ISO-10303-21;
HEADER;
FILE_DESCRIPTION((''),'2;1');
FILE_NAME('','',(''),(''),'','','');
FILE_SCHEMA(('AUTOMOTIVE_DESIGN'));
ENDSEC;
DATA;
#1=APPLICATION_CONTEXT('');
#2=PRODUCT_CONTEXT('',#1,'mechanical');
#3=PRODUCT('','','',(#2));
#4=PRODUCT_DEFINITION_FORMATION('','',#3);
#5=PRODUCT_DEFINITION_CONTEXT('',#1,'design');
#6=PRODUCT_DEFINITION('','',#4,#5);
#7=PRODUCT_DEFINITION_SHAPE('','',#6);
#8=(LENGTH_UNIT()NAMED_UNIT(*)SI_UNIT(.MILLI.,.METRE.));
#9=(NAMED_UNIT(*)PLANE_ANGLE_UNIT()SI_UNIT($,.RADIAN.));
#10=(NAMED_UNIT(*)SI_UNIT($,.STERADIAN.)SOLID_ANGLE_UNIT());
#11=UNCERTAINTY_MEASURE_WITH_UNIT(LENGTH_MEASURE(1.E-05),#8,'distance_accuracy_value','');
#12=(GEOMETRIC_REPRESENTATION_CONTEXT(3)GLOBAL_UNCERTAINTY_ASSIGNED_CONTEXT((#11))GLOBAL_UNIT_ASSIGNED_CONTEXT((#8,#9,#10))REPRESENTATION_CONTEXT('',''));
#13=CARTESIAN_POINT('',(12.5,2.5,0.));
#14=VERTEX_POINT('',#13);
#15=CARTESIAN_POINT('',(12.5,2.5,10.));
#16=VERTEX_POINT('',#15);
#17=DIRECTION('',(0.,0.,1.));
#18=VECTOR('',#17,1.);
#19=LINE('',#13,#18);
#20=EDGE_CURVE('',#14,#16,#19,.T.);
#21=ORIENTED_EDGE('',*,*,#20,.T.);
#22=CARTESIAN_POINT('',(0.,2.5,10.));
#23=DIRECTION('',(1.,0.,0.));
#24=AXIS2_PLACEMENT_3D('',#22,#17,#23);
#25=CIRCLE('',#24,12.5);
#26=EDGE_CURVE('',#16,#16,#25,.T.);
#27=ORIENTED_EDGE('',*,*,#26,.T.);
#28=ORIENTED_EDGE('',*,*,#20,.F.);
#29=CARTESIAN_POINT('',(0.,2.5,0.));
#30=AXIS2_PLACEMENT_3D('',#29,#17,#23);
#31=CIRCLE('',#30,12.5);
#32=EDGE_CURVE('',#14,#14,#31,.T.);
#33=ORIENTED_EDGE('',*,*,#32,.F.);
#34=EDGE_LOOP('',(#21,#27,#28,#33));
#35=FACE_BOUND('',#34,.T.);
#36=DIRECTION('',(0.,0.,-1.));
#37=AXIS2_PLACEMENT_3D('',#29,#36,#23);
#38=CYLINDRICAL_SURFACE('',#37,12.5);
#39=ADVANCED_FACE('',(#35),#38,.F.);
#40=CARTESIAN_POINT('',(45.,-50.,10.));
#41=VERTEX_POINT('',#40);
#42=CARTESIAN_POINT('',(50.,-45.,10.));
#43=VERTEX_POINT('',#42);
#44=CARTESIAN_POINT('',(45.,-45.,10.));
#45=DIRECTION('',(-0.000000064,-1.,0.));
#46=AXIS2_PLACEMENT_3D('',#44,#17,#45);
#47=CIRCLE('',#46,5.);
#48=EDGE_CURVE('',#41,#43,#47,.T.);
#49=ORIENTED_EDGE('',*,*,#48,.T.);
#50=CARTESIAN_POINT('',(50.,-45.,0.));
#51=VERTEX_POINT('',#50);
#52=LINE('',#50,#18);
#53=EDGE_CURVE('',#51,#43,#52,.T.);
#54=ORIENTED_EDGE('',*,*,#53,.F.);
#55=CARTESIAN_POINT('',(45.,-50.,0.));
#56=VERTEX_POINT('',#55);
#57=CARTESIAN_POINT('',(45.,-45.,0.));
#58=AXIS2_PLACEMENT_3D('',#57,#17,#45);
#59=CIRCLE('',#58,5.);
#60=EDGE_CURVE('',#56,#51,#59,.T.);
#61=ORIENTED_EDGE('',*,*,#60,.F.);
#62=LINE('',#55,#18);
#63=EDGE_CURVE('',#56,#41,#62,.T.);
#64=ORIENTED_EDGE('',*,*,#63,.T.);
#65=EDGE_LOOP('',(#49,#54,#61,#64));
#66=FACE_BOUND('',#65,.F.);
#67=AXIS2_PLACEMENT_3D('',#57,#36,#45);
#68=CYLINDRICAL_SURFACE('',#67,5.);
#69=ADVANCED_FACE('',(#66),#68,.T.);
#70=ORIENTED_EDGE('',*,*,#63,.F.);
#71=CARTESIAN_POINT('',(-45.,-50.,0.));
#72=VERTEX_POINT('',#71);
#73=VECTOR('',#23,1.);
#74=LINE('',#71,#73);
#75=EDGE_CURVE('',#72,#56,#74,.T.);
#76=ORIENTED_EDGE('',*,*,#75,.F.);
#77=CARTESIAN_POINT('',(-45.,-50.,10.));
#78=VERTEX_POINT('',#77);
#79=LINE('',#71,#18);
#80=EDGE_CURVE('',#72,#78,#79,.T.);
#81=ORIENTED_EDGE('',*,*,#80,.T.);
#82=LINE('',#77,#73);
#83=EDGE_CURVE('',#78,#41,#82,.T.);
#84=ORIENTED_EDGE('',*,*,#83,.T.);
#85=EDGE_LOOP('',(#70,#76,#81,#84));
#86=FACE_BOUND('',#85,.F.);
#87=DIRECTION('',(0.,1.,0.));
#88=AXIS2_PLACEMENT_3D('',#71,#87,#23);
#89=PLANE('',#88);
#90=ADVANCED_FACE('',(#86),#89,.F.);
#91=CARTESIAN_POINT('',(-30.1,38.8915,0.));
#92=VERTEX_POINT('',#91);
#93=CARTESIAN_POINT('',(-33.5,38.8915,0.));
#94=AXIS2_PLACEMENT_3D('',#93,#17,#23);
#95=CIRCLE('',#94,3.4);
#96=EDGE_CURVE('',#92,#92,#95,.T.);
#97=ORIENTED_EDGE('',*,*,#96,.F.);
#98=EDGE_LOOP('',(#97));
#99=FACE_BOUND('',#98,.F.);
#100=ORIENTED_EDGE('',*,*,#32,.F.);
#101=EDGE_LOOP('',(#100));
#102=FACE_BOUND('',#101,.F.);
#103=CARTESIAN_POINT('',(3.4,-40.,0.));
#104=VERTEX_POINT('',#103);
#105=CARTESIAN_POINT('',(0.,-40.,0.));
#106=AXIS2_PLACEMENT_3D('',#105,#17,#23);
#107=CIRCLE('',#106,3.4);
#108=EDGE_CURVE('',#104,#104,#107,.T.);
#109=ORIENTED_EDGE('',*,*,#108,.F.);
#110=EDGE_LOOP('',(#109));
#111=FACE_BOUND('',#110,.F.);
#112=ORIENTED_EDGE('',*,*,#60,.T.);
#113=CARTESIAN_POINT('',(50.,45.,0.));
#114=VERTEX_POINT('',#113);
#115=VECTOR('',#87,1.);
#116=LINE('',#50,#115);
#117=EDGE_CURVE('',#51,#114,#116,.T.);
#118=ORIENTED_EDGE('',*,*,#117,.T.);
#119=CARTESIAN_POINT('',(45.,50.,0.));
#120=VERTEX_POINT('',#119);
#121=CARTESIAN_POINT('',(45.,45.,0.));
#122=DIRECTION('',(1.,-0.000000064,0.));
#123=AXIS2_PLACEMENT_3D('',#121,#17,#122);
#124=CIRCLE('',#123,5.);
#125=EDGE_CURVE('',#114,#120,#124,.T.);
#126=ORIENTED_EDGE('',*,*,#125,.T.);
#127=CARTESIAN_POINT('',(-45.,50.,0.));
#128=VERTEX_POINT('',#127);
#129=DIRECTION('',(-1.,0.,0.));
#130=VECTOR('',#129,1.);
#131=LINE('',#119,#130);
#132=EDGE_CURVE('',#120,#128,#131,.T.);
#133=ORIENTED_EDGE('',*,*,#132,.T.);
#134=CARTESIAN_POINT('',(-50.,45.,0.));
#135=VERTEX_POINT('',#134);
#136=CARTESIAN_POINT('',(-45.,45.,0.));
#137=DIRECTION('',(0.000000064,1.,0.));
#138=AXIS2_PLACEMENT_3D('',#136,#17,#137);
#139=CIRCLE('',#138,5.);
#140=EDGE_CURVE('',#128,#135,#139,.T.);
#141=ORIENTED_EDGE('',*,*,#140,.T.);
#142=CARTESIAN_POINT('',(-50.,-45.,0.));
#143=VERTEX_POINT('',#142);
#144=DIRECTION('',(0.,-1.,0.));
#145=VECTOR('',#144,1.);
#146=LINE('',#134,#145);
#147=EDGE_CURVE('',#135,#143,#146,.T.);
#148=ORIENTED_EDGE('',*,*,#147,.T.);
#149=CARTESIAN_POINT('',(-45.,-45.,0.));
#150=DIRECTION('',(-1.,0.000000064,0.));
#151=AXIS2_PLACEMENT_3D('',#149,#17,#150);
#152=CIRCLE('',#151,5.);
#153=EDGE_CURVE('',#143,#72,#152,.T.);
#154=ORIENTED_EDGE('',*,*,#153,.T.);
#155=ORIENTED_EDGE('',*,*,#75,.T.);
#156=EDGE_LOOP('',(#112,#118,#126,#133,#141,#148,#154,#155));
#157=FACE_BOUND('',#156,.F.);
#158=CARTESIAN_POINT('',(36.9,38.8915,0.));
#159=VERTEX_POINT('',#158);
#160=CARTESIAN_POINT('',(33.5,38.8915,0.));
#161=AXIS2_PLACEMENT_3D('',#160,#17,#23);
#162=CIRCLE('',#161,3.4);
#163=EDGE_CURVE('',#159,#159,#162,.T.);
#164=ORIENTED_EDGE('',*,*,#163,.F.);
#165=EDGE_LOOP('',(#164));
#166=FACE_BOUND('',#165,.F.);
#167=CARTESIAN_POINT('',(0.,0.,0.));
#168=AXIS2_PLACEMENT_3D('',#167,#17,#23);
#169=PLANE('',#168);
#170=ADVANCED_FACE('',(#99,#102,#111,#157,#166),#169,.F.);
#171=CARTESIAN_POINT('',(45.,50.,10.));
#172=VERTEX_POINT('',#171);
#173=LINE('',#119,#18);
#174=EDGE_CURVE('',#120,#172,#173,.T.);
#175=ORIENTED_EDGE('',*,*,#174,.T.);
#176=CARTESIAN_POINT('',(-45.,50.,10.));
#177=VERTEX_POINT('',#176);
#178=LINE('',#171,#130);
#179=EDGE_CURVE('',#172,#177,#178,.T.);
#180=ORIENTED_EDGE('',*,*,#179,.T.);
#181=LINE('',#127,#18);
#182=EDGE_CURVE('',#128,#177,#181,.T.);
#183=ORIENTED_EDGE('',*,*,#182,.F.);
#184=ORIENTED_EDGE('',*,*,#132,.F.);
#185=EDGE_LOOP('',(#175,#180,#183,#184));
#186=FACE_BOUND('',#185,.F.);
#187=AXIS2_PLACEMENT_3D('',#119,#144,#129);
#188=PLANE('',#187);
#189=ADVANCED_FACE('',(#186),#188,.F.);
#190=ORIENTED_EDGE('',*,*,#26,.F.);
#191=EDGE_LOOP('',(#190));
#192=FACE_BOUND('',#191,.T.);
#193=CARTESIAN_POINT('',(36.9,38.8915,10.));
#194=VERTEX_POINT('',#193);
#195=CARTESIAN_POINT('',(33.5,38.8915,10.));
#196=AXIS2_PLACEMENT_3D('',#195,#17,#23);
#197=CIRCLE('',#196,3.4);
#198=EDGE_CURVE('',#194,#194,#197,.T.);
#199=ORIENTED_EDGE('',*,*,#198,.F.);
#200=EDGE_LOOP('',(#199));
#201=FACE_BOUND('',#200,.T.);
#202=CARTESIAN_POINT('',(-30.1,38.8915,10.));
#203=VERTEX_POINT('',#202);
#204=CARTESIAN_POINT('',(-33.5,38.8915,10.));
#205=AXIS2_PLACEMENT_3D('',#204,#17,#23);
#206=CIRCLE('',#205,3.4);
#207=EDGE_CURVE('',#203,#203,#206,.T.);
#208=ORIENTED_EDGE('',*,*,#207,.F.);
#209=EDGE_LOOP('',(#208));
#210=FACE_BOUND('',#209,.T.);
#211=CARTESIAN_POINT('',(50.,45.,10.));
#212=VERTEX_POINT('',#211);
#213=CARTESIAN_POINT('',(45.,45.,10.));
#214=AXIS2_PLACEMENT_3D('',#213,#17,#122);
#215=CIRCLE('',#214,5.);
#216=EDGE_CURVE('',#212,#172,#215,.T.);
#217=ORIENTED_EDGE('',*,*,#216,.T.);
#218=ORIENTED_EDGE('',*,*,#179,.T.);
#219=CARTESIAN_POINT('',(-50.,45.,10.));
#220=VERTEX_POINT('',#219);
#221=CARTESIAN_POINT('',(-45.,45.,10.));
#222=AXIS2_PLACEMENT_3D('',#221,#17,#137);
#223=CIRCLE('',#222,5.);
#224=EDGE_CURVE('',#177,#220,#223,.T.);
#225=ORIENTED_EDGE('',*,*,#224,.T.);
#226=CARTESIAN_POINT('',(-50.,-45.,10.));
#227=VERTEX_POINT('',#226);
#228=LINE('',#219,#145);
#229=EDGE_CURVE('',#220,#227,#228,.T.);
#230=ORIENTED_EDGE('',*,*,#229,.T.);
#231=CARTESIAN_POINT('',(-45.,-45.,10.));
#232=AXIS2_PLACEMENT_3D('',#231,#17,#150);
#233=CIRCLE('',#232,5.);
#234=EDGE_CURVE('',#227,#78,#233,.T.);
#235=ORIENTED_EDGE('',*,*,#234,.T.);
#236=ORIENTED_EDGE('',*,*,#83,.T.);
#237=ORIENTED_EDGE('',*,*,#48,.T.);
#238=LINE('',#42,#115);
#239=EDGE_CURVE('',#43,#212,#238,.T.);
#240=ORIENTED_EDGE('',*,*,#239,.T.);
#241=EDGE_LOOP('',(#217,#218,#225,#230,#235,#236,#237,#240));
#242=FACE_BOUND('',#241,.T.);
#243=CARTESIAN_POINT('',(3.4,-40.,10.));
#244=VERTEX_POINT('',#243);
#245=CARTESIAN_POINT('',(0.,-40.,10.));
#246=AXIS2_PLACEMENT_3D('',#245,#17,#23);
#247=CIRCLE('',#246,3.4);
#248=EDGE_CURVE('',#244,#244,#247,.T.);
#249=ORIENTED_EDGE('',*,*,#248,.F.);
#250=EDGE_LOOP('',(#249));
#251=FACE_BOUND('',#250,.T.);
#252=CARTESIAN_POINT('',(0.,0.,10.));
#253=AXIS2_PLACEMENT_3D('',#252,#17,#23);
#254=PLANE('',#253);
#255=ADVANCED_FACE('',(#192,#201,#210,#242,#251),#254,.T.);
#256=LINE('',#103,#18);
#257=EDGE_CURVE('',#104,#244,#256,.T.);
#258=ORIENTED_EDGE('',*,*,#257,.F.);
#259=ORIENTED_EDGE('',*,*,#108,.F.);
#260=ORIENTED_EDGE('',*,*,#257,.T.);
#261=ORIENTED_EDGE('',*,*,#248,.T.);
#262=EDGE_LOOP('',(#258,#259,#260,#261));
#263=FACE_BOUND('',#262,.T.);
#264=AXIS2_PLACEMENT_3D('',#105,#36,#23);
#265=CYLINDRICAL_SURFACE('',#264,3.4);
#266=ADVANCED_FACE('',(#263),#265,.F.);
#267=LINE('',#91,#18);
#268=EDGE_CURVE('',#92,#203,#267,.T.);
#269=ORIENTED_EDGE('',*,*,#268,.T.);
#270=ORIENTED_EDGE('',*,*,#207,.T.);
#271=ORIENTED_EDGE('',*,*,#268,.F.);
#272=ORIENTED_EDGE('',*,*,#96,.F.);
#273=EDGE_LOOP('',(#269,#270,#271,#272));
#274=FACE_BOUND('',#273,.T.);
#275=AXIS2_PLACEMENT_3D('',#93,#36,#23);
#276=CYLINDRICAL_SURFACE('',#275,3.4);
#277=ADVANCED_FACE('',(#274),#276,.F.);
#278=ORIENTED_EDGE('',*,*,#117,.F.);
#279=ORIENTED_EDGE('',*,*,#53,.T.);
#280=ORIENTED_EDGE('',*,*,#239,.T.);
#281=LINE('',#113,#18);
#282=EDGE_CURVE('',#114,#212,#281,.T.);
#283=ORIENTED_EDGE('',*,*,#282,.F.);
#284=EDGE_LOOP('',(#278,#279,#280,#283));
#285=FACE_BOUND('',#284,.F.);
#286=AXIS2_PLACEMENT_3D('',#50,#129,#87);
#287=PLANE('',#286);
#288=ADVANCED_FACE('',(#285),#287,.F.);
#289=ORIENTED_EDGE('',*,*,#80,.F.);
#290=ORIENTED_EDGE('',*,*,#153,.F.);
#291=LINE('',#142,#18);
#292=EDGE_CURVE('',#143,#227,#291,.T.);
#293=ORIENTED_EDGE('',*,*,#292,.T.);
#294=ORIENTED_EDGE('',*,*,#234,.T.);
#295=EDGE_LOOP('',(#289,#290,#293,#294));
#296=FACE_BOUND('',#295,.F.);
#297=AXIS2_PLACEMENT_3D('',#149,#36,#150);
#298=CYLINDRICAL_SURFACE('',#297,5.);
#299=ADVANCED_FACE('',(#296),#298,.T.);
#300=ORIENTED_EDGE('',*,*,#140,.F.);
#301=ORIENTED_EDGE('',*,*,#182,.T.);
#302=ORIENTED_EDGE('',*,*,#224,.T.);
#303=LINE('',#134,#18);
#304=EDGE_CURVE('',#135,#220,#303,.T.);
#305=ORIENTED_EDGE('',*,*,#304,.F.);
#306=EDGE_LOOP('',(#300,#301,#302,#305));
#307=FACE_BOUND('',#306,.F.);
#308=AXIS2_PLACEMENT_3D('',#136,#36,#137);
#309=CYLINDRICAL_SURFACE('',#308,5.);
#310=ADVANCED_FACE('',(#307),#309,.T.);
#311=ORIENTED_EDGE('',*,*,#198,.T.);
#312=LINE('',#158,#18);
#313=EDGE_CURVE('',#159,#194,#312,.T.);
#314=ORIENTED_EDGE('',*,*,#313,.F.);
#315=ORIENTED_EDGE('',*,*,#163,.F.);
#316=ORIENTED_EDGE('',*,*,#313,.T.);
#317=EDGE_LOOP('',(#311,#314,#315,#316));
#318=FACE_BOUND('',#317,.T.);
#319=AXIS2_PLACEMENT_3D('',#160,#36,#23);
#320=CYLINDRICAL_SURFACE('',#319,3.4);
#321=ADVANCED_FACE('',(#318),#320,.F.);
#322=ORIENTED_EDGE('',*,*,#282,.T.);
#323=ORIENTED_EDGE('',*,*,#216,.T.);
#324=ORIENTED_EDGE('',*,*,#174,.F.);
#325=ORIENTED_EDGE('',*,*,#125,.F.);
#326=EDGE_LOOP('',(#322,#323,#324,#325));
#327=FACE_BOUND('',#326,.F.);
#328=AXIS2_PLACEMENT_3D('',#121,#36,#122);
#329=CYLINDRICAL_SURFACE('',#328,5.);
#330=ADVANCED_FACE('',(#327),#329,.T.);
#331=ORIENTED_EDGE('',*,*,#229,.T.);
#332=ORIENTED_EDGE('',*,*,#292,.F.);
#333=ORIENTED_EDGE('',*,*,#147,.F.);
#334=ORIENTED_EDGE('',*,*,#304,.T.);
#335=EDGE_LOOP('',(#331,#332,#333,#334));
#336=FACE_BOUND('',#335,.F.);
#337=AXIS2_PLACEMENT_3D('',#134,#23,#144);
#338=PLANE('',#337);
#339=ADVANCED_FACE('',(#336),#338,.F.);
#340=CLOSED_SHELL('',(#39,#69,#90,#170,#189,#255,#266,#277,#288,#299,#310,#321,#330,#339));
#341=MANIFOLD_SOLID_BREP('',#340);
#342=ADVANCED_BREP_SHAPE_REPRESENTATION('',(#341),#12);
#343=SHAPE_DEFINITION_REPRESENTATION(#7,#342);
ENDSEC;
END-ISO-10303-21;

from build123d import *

# Parameters (mm, degrees)
F0_R     = 3.4
F0_R_2   = 12.5
F1_DEPTH = 10


with BuildPart() as f1:
    # F0 (on Top) → F1 (new body)
    with BuildSketch(Plane.XY):
        with BuildLine():
            ThreePointArc((50, 45), (48.535534, 48.535534), (45, 50))
            Line((45, 50), (-45, 50))
            ThreePointArc((-45, 50), (-48.535534, 48.535534), (-50, 45))
            Line((-50, 45), (-50, -45))
            ThreePointArc((-50, -45), (-48.535534, -48.535534), (-45, -50))
            Line((-45, -50), (45, -50))
            ThreePointArc((45, -50), (48.535534, -48.535534), (50, -45))
            Line((50, -45), (50, 45))
        make_face()
        with Locations((0, -40)):
            Circle(F0_R, mode=Mode.SUBTRACT)
        with Locations((-33.5, 38.8915)):
            Circle(F0_R, mode=Mode.SUBTRACT)
        with Locations((0, 2.5)):
            Circle(F0_R_2, mode=Mode.SUBTRACT)
        with Locations((33.5, 38.8915)):
            Circle(F0_R, mode=Mode.SUBTRACT)
    extrude(amount=F1_DEPTH)


solid = f1.part
